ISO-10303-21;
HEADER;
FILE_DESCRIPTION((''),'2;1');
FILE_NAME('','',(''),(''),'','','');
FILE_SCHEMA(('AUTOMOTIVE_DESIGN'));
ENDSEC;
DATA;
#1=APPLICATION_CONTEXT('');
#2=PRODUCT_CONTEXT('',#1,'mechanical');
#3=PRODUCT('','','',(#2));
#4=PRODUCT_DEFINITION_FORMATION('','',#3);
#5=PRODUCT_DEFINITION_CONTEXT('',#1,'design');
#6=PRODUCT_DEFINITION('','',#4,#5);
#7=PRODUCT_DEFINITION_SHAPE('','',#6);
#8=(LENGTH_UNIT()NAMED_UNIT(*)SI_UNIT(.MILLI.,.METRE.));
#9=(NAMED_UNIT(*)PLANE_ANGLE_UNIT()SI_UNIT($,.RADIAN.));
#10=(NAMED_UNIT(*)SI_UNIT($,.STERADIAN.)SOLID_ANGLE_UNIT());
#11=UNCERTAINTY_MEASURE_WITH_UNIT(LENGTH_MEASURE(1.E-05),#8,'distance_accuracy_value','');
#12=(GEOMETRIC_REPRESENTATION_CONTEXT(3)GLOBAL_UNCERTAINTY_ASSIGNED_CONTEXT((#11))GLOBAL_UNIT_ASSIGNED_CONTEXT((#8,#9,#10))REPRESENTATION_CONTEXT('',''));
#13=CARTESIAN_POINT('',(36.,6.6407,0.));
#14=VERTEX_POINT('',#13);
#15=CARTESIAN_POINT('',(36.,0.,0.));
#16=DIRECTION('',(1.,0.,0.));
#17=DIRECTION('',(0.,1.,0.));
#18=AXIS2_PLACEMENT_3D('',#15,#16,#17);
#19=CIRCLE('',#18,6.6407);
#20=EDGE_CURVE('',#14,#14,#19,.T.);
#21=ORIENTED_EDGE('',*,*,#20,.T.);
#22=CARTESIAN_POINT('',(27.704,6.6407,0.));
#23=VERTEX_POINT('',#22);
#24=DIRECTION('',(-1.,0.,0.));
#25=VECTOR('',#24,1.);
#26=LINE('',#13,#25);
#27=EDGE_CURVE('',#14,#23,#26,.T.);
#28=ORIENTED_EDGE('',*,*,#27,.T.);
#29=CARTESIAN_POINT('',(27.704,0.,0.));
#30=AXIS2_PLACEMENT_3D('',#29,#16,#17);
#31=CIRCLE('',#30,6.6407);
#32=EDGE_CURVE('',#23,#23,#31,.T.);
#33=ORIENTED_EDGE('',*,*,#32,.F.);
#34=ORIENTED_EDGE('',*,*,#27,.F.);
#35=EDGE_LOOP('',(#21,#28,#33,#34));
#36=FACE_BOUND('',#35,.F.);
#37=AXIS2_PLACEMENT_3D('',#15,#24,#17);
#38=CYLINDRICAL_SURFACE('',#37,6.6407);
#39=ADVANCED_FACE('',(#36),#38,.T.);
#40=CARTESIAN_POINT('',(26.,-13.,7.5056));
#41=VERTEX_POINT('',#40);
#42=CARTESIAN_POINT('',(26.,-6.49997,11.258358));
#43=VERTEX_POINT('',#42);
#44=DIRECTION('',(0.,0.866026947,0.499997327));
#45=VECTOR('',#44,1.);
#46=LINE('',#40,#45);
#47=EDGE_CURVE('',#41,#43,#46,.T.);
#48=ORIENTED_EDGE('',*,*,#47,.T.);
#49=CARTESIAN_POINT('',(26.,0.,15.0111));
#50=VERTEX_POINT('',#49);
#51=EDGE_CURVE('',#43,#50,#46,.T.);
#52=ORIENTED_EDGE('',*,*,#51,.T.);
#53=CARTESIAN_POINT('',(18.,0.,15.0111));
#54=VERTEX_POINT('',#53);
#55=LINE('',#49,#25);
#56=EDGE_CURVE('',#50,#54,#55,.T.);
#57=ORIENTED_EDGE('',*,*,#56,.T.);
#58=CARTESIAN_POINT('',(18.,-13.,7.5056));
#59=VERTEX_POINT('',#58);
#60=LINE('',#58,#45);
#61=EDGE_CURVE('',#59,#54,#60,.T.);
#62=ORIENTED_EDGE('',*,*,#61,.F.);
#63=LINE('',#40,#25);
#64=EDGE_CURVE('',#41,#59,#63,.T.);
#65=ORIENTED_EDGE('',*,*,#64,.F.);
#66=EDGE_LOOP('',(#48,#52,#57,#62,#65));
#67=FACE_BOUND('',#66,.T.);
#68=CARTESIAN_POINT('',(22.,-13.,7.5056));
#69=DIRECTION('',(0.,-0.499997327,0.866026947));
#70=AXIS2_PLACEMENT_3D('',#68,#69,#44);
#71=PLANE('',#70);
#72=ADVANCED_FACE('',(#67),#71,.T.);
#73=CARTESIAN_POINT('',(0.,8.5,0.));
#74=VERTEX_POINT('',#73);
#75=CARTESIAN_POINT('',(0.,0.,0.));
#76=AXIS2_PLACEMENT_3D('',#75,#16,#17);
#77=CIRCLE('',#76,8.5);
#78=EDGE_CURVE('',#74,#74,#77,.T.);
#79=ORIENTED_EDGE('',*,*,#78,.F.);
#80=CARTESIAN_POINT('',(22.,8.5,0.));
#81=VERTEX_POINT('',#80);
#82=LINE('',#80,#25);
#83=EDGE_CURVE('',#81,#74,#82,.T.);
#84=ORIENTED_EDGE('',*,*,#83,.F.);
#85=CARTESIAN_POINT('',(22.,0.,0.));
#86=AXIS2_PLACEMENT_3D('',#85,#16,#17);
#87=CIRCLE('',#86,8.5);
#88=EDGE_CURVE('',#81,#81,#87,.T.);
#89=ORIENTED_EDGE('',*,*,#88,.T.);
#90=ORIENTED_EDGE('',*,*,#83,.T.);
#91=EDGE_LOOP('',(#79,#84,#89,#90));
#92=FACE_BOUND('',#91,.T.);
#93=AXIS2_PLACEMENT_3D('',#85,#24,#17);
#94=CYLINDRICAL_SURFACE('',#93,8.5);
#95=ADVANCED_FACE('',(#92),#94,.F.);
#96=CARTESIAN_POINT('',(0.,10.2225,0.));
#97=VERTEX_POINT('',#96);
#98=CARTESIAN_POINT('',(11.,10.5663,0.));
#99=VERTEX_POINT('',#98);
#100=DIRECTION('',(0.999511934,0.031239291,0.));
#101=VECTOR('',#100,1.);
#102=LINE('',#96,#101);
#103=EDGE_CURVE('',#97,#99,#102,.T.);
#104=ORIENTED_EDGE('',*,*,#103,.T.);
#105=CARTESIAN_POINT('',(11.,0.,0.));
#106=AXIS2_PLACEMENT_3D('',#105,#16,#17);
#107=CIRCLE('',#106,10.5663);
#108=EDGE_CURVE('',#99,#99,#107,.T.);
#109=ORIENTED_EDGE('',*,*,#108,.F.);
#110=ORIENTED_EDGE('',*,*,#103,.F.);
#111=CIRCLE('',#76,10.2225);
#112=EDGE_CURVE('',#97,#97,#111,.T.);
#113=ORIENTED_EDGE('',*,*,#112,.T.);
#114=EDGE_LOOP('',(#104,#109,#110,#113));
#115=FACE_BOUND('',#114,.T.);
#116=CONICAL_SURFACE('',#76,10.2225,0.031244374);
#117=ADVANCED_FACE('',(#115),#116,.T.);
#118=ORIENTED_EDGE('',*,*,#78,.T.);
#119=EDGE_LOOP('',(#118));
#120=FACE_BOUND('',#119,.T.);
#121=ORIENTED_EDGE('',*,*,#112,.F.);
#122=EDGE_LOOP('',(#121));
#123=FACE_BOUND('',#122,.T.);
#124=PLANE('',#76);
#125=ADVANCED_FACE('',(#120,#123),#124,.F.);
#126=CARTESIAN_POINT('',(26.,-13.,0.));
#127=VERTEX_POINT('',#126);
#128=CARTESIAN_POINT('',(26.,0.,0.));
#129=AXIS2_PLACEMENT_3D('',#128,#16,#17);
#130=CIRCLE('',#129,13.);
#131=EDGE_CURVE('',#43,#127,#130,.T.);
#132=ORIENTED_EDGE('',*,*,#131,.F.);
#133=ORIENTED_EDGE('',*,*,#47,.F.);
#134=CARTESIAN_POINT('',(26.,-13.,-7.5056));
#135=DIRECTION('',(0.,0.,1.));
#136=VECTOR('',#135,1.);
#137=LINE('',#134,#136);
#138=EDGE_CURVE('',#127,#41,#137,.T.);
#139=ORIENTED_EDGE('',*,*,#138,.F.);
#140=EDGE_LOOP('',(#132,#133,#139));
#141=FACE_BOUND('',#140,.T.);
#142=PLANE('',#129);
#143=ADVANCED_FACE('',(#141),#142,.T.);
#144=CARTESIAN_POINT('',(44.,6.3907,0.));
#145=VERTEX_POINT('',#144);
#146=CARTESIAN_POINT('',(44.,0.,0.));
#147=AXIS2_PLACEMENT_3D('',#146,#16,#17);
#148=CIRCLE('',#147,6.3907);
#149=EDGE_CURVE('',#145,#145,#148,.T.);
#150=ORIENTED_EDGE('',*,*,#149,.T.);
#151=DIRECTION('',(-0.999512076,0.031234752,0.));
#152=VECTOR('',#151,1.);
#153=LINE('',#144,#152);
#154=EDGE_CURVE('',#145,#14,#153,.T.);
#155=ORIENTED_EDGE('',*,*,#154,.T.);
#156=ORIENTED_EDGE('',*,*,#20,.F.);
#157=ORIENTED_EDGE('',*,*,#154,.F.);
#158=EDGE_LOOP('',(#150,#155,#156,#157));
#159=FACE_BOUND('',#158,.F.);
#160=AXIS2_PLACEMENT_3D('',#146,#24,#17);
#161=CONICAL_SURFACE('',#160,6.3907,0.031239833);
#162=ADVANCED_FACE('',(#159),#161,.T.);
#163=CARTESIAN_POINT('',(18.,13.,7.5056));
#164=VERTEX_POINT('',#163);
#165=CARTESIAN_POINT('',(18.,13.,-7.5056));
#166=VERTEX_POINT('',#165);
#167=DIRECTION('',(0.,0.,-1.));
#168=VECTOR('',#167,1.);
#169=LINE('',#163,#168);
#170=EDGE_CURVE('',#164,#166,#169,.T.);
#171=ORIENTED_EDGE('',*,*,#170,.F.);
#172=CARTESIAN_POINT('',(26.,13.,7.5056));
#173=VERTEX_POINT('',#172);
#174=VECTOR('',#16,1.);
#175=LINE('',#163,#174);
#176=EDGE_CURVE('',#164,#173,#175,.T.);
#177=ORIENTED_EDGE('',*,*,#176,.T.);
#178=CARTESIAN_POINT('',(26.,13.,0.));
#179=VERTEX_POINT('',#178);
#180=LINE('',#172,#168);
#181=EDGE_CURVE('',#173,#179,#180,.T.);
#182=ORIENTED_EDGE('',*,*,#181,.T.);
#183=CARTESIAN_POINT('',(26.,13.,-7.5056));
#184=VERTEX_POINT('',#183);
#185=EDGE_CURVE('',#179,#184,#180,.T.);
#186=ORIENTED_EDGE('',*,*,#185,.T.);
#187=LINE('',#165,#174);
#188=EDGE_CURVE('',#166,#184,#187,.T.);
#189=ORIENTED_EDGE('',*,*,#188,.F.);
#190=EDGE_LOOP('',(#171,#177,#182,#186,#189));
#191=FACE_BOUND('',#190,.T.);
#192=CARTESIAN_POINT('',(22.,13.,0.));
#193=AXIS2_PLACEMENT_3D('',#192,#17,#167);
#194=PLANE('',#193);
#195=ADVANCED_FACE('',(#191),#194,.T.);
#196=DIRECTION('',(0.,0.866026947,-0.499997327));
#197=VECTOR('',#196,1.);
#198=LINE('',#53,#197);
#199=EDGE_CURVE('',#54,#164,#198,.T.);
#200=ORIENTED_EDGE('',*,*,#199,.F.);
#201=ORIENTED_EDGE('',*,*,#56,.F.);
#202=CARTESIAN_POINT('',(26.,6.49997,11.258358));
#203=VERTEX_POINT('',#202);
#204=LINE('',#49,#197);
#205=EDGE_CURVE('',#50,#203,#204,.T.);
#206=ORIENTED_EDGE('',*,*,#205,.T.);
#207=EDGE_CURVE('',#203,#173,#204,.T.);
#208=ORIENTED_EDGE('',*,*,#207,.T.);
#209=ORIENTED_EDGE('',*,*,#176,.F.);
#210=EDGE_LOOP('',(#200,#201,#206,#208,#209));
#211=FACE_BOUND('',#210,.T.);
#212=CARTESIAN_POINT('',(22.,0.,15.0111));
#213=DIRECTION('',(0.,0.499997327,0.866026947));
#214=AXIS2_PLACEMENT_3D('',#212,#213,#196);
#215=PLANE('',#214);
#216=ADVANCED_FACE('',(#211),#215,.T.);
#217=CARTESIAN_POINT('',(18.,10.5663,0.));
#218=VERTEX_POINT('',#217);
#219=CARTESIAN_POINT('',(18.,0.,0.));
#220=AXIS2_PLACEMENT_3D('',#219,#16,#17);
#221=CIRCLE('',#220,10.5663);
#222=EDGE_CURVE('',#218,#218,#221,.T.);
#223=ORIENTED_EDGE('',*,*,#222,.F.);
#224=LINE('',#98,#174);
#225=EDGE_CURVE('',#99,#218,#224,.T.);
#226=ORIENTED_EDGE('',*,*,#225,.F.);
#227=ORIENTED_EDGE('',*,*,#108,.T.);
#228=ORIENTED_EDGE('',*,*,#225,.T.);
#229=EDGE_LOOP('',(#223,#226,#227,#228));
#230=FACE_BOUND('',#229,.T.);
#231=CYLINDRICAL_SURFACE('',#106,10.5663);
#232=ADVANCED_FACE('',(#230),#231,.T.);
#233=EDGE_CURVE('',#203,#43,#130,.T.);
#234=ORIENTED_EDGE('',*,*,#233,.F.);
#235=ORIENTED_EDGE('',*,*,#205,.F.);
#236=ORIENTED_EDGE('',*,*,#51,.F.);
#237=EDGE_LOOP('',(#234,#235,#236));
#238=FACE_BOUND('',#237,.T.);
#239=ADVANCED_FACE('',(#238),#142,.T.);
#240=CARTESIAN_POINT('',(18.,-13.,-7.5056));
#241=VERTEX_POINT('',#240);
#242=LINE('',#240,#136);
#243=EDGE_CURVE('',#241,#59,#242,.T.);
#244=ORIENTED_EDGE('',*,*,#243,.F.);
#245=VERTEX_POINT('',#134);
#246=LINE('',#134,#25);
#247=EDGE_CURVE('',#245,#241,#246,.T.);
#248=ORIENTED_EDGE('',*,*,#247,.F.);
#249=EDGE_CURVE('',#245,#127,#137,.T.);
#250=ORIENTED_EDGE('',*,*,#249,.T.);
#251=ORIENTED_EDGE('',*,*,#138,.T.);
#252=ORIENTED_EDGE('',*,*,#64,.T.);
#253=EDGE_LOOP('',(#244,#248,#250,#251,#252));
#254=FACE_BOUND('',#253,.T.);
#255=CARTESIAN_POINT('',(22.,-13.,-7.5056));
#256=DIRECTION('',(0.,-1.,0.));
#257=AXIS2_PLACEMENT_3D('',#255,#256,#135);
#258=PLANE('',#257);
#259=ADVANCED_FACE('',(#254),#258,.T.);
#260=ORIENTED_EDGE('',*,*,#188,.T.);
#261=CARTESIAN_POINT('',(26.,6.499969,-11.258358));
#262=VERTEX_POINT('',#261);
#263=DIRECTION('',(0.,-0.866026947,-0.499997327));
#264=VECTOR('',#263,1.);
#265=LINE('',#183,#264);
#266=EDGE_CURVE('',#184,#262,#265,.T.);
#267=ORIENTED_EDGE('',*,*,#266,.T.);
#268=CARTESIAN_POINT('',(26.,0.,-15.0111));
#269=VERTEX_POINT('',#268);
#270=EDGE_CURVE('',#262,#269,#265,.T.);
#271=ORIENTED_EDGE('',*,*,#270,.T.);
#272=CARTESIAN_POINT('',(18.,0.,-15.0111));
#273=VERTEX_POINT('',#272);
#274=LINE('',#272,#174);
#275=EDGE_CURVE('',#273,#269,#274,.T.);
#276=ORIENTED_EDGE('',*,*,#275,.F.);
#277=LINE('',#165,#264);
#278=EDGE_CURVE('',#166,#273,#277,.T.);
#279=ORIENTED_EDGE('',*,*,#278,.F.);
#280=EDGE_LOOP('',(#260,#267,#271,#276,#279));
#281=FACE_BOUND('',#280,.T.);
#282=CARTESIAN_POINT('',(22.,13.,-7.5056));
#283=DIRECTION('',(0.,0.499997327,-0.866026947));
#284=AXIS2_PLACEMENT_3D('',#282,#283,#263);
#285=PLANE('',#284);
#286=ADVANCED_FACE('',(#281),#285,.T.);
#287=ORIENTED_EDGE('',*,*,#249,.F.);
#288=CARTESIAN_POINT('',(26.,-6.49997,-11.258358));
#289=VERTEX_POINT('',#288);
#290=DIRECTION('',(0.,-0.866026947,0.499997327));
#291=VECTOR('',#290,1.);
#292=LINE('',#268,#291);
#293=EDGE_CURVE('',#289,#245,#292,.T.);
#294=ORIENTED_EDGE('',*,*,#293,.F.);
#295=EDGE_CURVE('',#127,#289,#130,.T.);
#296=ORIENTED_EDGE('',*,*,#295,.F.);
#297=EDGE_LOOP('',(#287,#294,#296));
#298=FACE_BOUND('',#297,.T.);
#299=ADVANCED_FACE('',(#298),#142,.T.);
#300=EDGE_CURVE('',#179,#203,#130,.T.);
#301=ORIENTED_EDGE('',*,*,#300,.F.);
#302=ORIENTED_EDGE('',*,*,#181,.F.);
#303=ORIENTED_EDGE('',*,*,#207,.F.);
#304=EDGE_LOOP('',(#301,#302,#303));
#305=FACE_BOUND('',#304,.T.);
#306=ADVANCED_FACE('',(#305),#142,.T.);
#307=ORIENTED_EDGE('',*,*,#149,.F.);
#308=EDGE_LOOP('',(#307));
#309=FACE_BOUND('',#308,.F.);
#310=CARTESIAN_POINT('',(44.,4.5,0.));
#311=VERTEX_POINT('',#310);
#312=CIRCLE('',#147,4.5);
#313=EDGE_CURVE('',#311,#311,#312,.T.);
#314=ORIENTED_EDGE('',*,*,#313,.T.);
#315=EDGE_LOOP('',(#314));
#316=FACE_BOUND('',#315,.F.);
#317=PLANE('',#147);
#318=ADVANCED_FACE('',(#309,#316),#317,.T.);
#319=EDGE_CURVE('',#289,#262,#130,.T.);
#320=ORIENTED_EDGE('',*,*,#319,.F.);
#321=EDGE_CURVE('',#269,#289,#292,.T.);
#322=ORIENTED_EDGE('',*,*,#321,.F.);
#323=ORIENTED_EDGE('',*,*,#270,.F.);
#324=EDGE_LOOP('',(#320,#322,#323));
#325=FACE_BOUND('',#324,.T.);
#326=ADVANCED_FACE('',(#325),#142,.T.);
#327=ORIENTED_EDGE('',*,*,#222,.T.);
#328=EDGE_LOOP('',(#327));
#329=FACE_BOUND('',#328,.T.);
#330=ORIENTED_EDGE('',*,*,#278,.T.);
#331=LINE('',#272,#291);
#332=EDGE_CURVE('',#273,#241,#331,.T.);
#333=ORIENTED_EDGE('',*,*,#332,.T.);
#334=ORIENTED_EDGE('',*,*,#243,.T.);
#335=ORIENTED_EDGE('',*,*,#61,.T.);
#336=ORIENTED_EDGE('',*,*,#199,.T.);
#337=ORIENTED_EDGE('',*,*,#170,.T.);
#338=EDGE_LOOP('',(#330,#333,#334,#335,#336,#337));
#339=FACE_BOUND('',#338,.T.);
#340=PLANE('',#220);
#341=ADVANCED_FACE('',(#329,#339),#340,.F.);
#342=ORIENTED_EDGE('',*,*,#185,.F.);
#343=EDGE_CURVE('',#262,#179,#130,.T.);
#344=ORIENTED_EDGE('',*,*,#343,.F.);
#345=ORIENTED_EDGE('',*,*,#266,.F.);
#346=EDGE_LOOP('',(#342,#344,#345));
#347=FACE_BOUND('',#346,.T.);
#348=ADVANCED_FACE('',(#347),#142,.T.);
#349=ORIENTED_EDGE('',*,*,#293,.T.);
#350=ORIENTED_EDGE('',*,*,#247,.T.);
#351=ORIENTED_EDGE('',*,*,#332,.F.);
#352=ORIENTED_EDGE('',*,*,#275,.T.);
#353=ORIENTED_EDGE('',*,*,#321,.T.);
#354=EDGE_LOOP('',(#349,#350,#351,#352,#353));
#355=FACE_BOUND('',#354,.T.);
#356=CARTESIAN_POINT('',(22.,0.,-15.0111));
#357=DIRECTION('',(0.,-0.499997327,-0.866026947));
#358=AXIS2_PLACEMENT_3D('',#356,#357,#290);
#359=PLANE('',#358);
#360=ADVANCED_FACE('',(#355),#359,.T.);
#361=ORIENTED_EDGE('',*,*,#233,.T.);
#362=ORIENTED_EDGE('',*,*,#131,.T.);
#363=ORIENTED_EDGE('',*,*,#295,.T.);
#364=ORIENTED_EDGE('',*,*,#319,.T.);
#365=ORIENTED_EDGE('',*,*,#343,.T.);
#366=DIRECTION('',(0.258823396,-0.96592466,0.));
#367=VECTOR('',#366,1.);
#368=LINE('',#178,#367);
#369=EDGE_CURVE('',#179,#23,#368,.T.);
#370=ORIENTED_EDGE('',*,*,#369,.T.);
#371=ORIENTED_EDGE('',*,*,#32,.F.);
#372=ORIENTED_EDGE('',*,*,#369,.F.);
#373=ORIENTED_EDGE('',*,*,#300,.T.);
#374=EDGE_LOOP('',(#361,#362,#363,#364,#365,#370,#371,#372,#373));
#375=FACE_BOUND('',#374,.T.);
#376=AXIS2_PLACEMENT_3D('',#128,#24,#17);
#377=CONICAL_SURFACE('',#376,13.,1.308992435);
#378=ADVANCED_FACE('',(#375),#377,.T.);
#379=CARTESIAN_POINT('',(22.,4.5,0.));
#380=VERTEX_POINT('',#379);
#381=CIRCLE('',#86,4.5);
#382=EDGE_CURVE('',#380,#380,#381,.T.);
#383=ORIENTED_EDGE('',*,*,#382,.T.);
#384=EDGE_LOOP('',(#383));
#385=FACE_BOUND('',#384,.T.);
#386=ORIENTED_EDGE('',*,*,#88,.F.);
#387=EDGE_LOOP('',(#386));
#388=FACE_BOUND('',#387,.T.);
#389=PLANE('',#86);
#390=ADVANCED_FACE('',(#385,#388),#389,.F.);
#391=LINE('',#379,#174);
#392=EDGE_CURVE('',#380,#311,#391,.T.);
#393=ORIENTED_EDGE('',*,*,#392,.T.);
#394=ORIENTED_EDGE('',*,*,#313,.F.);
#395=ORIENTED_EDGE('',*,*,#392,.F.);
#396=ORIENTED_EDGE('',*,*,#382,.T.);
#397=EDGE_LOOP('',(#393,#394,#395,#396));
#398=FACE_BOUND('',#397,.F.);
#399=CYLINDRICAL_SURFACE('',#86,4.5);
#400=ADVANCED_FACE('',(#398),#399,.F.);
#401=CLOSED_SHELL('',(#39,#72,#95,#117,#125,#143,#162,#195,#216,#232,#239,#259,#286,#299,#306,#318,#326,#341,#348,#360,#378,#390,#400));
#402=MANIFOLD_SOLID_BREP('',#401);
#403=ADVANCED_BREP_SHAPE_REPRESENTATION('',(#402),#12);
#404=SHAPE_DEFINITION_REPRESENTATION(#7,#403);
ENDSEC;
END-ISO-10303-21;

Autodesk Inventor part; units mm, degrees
ref_plane "YZ Plane" through (0, 0, 0) normal (1, 0, 0) x (0, 1, 0)
ref_plane "XZ Plane" through (0, 0, 0) normal (0, 1, 0) x (-1, 0, 0)
sketch "Sketch1" plane through (0, 0, 0) normal (0, 0, 1) x (1, 0, 0)
  line L0 (0, 0) -> (44, 0)
  line L1 (0, 0) -> (0, 8.5) construction
  line L2 (22, 4.5) -> (22, 8.5)
  line L3 (44, 4.5) -> (44, 0) construction
  line L4 (0, 8.5) -> (0, 10.2225)
  line L5 (44, 4.5) -> (44, 6.3907)
  line L6 (36, 6.6407) -> (36, 4.5) construction
  line L7 (18, 13) -> (26, 13)
  line L8 (22, 8.5) -> (22, 13) construction
  line L9 (22, 8.5) -> (0, 8.5)
  line L10 (22, 4.5) -> (44, 4.5)
  line L11 (0, 10.2225) -> (11, 10.5663)
  line L12 (11, 10.5663) -> (11, 8.5) construction
  line L13 (11, 10.5663) -> (18, 10.5663)
  line L14 (18, 10.5663) -> (18, 13)
  line L15 (44, 6.3907) -> (36, 6.6407)
  line L16 (26, 6.6407) -> (26, 13) construction
  line L17 (22, 4.5) -> (22, 0) construction
  line L18 (26, 13) -> (27.704, 6.6407)
  line L19 (36, 6.6407) -> (27.704, 6.6407)
  line L20 (26, 6.6407) -> (27.704, 6.6407) construction
  line L21 (37.99, 6.5785) -> (37.99, 0) construction
  line L22 (8.16, 10.4775) -> (8.16, 0) construction
  line L23 (11, 8.5) -> (11, 0) construction
  line L24 (36, 4.5) -> (36, 0) construction
  dimension "d0" = 44
  dimension "d3" = 26
  dimension "d4" = 9
  dimension "d5" = 1.79
  dimension "d6" = 17
  dimension "d7" = 1.79
  dimension "d8" = 11
  dimension "d9" = 8
  dimension "d10" = 8
  dimension "d14" = 15
  dimension "d16" = 8.16
  dimension "d17" = 6.01
  dimension "d18" = 13.157
  dimension "d23" = 20.955
revolve "Revolve1" add sketch "Sketch1" angle 360 about axis through (0, 0, 0) along (1, 0, 0)
ref_plane "Work Plane1" through (22, 0, 0) normal (1, 0, 0) x (0, 1, 0)
sketch "Sketch2" plane through (22, 0, 0) normal (1, 0, 0) x (0, 1, 0)
  line L0 (0, -15.0111) -> (-13, -7.5056)
  line L1 (-13, -7.5056) -> (-13, 7.5056)
  line L2 (-13, 7.5056) -> (0, 15.0111)
  line L3 (0, 15.0111) -> (13, 7.5056)
  line L4 (13, 7.5056) -> (13, -7.5056)
  line L5 (13, -7.5056) -> (0, -15.0111)
  circle A0 centre (0, 0) radius 13
  circle A1 centre (0, 0) radius 13 projected
extrude "Extrude1" add sketch "Sketch2" along normal mid plane 8 contours L0 A0 L5 | L0 L1 A0 | A0 L4 L5 | L1 L2 A0 | A0 L3 L4 | L2 L3 A0
thread "Thread1" size "R 1/2" standard "JIS Taper" full length
thread "Thread2" size "R 1/4" standard "JIS Taper" full length
equation "\"d0\" = L"
equation "\"d3\" = S"
equation "\"d4\" = A32 - 2 * t2"
equation "\"d6\" = A31 - 2 * t1"
equation "\"d8\" = L1"
equation "\"d9\" = M"
equation "\"d10\" = L2"
equation "\"d16\" = A1"
equation "\"d17\" = A2"
equation "\"d18\" = OD2"
equation "\"d23\" = OD1"
equation "\"d12\" = M"
equation "\"OD1\" = 20.955"
equation "\"OD2\" = 13.157"
equation "\"L\" = 44"
equation "\"M\" = 8"
equation "\"S\" = 26"
equation "\"L1\" = 11"
equation "\"L2\" = 8"
equation "\"d11\" = 0.5 * L"
equation "\"A1\" = 8.16"
equation "\"A2\" = 6.01"
equation "\"A31\" = 22"
equation "\"A32\" = 14"
equation "\"t1\" = 2.5"
equation "\"t2\" = 2.5"
equation "\"Size_Designation\" = 1.2345"
properties part number "JIS B 2301 Reducing Hexagon Nipple - Class II 1/2 x 1/4" material "Iron, Cast"
